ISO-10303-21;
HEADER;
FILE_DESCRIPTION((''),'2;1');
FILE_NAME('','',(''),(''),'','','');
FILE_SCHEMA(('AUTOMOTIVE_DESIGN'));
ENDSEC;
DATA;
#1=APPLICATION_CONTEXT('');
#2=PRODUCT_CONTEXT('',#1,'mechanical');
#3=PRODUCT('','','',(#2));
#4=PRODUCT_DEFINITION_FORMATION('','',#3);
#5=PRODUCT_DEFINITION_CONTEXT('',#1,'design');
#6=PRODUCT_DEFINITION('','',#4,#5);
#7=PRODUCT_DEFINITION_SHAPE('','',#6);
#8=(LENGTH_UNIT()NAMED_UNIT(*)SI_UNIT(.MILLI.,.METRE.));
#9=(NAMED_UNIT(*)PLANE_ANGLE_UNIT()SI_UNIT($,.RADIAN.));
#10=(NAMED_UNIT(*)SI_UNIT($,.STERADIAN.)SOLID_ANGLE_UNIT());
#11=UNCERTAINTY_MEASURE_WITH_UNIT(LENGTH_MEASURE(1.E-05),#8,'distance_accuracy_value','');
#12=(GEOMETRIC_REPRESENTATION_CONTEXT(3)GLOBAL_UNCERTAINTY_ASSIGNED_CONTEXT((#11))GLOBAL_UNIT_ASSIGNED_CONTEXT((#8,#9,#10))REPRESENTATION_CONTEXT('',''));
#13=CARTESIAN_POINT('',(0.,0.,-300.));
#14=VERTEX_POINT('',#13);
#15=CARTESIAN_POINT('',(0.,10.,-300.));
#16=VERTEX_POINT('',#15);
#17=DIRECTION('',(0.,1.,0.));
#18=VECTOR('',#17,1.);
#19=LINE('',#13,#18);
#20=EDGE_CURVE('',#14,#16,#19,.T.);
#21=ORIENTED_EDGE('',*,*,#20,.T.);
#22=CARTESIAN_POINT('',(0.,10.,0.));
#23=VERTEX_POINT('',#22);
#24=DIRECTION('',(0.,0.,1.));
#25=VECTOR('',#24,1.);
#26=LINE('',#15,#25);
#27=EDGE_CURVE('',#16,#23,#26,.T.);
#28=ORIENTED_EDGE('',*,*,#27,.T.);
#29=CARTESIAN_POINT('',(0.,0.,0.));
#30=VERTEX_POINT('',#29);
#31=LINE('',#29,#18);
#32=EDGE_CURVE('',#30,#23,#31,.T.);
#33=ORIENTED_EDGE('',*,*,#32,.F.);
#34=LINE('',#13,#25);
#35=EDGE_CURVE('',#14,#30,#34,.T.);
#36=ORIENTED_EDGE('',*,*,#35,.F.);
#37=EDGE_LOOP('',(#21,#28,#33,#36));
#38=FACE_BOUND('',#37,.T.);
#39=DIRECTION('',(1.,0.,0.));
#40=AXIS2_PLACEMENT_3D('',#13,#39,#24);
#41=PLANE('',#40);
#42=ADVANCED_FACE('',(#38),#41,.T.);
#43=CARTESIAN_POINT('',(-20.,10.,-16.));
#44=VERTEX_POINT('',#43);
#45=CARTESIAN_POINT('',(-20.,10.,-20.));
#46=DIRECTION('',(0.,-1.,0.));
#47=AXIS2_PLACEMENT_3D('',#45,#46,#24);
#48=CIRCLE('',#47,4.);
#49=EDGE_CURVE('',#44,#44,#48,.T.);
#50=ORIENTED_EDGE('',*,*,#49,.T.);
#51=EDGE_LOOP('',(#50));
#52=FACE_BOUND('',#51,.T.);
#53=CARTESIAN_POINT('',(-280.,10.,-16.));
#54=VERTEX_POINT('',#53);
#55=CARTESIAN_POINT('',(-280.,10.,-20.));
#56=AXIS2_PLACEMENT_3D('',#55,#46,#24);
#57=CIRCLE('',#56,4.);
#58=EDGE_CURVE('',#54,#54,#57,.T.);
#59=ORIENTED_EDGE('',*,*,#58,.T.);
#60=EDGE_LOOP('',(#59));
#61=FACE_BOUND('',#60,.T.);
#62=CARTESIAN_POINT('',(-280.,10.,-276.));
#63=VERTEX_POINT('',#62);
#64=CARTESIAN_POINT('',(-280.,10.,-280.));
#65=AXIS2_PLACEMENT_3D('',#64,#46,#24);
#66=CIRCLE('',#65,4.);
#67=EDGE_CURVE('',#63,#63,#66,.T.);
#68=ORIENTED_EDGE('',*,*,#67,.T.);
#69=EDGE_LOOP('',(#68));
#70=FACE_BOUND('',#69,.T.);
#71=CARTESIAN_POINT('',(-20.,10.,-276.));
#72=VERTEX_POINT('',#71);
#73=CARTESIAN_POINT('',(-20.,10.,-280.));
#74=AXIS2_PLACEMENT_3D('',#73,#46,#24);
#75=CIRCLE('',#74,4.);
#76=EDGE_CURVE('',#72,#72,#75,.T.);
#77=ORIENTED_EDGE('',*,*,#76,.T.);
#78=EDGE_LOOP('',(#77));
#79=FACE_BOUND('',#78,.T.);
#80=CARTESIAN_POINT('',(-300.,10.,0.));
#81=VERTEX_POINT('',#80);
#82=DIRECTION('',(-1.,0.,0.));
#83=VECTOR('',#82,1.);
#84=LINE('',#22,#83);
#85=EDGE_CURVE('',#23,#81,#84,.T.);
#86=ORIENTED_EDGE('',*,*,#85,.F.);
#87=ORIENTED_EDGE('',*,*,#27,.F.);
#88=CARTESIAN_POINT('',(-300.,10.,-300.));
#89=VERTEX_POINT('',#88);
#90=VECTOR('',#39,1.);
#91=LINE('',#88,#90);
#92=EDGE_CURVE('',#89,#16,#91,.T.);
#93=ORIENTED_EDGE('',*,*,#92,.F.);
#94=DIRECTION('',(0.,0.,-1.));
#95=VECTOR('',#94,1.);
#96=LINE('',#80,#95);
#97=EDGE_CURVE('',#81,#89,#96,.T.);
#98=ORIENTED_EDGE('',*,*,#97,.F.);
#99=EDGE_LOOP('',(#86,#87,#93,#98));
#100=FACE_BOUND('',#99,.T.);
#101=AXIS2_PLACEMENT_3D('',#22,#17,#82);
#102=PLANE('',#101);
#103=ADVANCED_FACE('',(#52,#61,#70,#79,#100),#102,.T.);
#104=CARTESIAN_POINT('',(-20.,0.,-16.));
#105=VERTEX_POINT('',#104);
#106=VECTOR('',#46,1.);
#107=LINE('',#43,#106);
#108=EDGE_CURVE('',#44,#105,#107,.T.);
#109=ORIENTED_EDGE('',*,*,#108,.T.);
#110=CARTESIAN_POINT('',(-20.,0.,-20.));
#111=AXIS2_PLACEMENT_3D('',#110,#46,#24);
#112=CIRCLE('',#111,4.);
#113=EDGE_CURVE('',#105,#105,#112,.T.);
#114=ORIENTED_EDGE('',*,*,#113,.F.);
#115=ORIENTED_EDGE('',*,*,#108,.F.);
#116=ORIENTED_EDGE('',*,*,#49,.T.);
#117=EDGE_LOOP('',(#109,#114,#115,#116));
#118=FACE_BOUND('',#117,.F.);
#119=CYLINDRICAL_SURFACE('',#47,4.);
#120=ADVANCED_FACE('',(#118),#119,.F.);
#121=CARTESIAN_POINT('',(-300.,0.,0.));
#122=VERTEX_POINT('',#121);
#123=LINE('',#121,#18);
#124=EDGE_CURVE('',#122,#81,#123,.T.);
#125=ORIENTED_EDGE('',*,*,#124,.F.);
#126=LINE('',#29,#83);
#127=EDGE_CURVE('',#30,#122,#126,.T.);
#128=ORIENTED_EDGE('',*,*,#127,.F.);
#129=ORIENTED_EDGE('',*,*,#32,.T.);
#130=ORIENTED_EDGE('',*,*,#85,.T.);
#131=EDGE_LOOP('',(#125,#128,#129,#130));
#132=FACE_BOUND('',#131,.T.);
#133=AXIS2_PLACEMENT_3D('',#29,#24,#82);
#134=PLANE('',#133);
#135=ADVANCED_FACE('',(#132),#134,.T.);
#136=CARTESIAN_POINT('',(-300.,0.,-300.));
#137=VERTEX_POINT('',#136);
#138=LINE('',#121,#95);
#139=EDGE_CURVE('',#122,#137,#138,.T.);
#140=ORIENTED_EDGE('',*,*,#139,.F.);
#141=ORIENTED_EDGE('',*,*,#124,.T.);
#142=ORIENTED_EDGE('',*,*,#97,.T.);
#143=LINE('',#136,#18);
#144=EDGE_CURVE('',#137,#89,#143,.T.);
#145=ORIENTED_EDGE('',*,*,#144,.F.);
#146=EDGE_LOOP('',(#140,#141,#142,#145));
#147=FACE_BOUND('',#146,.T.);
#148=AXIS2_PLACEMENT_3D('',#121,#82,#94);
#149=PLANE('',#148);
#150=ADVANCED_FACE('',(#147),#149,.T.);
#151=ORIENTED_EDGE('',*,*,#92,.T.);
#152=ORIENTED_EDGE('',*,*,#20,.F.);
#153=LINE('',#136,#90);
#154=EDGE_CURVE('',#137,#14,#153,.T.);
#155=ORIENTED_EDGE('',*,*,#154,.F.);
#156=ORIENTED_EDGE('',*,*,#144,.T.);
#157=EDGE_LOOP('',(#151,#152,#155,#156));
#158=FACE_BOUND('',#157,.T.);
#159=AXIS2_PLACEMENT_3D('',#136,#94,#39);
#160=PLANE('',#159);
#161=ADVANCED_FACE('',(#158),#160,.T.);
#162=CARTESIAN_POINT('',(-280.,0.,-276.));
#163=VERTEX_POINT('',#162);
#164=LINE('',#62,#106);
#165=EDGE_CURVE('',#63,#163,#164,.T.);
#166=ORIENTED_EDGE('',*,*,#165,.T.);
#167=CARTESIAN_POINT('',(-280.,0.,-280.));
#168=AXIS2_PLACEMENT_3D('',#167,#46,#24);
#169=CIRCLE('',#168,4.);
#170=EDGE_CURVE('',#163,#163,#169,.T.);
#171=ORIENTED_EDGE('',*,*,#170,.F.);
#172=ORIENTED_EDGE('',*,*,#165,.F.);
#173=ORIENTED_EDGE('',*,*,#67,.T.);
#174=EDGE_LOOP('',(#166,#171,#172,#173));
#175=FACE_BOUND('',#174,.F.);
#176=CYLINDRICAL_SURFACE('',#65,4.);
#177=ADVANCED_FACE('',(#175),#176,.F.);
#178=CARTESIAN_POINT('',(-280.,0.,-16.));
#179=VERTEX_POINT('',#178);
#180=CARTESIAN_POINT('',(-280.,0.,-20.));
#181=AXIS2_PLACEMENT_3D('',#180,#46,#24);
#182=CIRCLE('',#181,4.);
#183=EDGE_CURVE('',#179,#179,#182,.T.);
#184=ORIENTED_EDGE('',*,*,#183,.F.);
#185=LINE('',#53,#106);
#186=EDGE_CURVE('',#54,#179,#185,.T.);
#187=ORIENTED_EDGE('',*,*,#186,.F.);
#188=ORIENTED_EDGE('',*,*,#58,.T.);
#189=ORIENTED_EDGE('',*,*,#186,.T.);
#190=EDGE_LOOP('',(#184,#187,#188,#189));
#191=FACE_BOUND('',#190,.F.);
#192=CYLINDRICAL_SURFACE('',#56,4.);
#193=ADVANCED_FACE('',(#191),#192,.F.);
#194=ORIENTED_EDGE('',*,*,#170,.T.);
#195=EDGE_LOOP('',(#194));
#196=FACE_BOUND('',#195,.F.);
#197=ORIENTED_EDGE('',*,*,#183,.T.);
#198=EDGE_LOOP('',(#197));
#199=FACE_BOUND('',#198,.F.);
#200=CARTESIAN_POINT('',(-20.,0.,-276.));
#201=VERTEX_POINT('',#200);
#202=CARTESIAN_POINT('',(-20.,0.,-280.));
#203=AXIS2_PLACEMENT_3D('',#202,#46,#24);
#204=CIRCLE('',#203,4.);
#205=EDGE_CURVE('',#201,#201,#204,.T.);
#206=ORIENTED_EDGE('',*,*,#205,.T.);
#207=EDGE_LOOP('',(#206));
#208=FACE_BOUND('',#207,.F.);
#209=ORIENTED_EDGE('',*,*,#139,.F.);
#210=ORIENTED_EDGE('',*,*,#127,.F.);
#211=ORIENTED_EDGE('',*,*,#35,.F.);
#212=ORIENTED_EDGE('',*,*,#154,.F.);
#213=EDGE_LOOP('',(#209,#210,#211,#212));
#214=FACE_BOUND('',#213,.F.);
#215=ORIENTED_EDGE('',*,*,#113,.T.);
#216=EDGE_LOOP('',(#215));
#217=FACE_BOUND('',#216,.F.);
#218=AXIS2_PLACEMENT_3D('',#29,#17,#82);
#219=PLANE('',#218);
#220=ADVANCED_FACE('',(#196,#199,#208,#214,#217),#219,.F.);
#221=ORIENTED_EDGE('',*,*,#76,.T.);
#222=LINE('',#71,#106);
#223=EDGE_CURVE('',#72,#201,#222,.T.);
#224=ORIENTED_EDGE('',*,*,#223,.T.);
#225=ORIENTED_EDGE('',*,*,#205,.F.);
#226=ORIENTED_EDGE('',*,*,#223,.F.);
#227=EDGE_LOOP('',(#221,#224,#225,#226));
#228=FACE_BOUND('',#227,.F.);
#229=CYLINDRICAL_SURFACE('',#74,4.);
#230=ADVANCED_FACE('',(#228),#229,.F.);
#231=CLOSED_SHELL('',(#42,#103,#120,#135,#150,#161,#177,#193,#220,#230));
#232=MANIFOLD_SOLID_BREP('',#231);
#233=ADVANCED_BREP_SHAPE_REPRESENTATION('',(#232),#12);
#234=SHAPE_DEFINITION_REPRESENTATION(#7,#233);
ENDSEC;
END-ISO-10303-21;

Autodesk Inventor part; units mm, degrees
ref_plane "YZ Plane" through (0, 0, 0) normal (1, 0, 0) x (0, 1, 0)
ref_plane "XZ Plane" through (0, 0, 0) normal (0, 1, 0) x (-1, 0, 0)
ref_plane "XY Plane" through (0, 0, 0) normal (0, 0, 1) x (1, 0, 0)
sketch "Sketch1" plane through (0, 0, 0) normal (0, 1, 0) x (-1, 0, 0)
  line L0 (0, 0) -> (300, 0)
  line L1 (300, 0) -> (300, -300)
  line L2 (300, -300) -> (0, -300)
  line L3 (0, -300) -> (0, 0)
  dimension "d0" = 300
  dimension "d1" = 300
extrude "Extrusion1" add sketch "Sketch1" along normal blind 10
sketch "Sketch2" plane through (0, 10, 0) normal (0, 1, 0) x (1, 0, 0)
  line L0 (-300, 0) -> (0, 0) projected
  line L1 (0, 0) -> (0, 300) projected
  point P0 (-20, 20)
  point P1 (-20, 280)
  point P2 (-280, 20)
  point P3 (-280, 280)
  dimension "d4" = 20
  dimension "d5" = 20
  dimension "d8" = 260
  dimension "d11" = 260
hole "Hole1" at (-20, 10, -20) at (-20, 10, -280) at (-280, 10, -20) at (-280, 10, -280) direction (0, -1, 0) diameter 8 end through all
properties part number "Plate"
